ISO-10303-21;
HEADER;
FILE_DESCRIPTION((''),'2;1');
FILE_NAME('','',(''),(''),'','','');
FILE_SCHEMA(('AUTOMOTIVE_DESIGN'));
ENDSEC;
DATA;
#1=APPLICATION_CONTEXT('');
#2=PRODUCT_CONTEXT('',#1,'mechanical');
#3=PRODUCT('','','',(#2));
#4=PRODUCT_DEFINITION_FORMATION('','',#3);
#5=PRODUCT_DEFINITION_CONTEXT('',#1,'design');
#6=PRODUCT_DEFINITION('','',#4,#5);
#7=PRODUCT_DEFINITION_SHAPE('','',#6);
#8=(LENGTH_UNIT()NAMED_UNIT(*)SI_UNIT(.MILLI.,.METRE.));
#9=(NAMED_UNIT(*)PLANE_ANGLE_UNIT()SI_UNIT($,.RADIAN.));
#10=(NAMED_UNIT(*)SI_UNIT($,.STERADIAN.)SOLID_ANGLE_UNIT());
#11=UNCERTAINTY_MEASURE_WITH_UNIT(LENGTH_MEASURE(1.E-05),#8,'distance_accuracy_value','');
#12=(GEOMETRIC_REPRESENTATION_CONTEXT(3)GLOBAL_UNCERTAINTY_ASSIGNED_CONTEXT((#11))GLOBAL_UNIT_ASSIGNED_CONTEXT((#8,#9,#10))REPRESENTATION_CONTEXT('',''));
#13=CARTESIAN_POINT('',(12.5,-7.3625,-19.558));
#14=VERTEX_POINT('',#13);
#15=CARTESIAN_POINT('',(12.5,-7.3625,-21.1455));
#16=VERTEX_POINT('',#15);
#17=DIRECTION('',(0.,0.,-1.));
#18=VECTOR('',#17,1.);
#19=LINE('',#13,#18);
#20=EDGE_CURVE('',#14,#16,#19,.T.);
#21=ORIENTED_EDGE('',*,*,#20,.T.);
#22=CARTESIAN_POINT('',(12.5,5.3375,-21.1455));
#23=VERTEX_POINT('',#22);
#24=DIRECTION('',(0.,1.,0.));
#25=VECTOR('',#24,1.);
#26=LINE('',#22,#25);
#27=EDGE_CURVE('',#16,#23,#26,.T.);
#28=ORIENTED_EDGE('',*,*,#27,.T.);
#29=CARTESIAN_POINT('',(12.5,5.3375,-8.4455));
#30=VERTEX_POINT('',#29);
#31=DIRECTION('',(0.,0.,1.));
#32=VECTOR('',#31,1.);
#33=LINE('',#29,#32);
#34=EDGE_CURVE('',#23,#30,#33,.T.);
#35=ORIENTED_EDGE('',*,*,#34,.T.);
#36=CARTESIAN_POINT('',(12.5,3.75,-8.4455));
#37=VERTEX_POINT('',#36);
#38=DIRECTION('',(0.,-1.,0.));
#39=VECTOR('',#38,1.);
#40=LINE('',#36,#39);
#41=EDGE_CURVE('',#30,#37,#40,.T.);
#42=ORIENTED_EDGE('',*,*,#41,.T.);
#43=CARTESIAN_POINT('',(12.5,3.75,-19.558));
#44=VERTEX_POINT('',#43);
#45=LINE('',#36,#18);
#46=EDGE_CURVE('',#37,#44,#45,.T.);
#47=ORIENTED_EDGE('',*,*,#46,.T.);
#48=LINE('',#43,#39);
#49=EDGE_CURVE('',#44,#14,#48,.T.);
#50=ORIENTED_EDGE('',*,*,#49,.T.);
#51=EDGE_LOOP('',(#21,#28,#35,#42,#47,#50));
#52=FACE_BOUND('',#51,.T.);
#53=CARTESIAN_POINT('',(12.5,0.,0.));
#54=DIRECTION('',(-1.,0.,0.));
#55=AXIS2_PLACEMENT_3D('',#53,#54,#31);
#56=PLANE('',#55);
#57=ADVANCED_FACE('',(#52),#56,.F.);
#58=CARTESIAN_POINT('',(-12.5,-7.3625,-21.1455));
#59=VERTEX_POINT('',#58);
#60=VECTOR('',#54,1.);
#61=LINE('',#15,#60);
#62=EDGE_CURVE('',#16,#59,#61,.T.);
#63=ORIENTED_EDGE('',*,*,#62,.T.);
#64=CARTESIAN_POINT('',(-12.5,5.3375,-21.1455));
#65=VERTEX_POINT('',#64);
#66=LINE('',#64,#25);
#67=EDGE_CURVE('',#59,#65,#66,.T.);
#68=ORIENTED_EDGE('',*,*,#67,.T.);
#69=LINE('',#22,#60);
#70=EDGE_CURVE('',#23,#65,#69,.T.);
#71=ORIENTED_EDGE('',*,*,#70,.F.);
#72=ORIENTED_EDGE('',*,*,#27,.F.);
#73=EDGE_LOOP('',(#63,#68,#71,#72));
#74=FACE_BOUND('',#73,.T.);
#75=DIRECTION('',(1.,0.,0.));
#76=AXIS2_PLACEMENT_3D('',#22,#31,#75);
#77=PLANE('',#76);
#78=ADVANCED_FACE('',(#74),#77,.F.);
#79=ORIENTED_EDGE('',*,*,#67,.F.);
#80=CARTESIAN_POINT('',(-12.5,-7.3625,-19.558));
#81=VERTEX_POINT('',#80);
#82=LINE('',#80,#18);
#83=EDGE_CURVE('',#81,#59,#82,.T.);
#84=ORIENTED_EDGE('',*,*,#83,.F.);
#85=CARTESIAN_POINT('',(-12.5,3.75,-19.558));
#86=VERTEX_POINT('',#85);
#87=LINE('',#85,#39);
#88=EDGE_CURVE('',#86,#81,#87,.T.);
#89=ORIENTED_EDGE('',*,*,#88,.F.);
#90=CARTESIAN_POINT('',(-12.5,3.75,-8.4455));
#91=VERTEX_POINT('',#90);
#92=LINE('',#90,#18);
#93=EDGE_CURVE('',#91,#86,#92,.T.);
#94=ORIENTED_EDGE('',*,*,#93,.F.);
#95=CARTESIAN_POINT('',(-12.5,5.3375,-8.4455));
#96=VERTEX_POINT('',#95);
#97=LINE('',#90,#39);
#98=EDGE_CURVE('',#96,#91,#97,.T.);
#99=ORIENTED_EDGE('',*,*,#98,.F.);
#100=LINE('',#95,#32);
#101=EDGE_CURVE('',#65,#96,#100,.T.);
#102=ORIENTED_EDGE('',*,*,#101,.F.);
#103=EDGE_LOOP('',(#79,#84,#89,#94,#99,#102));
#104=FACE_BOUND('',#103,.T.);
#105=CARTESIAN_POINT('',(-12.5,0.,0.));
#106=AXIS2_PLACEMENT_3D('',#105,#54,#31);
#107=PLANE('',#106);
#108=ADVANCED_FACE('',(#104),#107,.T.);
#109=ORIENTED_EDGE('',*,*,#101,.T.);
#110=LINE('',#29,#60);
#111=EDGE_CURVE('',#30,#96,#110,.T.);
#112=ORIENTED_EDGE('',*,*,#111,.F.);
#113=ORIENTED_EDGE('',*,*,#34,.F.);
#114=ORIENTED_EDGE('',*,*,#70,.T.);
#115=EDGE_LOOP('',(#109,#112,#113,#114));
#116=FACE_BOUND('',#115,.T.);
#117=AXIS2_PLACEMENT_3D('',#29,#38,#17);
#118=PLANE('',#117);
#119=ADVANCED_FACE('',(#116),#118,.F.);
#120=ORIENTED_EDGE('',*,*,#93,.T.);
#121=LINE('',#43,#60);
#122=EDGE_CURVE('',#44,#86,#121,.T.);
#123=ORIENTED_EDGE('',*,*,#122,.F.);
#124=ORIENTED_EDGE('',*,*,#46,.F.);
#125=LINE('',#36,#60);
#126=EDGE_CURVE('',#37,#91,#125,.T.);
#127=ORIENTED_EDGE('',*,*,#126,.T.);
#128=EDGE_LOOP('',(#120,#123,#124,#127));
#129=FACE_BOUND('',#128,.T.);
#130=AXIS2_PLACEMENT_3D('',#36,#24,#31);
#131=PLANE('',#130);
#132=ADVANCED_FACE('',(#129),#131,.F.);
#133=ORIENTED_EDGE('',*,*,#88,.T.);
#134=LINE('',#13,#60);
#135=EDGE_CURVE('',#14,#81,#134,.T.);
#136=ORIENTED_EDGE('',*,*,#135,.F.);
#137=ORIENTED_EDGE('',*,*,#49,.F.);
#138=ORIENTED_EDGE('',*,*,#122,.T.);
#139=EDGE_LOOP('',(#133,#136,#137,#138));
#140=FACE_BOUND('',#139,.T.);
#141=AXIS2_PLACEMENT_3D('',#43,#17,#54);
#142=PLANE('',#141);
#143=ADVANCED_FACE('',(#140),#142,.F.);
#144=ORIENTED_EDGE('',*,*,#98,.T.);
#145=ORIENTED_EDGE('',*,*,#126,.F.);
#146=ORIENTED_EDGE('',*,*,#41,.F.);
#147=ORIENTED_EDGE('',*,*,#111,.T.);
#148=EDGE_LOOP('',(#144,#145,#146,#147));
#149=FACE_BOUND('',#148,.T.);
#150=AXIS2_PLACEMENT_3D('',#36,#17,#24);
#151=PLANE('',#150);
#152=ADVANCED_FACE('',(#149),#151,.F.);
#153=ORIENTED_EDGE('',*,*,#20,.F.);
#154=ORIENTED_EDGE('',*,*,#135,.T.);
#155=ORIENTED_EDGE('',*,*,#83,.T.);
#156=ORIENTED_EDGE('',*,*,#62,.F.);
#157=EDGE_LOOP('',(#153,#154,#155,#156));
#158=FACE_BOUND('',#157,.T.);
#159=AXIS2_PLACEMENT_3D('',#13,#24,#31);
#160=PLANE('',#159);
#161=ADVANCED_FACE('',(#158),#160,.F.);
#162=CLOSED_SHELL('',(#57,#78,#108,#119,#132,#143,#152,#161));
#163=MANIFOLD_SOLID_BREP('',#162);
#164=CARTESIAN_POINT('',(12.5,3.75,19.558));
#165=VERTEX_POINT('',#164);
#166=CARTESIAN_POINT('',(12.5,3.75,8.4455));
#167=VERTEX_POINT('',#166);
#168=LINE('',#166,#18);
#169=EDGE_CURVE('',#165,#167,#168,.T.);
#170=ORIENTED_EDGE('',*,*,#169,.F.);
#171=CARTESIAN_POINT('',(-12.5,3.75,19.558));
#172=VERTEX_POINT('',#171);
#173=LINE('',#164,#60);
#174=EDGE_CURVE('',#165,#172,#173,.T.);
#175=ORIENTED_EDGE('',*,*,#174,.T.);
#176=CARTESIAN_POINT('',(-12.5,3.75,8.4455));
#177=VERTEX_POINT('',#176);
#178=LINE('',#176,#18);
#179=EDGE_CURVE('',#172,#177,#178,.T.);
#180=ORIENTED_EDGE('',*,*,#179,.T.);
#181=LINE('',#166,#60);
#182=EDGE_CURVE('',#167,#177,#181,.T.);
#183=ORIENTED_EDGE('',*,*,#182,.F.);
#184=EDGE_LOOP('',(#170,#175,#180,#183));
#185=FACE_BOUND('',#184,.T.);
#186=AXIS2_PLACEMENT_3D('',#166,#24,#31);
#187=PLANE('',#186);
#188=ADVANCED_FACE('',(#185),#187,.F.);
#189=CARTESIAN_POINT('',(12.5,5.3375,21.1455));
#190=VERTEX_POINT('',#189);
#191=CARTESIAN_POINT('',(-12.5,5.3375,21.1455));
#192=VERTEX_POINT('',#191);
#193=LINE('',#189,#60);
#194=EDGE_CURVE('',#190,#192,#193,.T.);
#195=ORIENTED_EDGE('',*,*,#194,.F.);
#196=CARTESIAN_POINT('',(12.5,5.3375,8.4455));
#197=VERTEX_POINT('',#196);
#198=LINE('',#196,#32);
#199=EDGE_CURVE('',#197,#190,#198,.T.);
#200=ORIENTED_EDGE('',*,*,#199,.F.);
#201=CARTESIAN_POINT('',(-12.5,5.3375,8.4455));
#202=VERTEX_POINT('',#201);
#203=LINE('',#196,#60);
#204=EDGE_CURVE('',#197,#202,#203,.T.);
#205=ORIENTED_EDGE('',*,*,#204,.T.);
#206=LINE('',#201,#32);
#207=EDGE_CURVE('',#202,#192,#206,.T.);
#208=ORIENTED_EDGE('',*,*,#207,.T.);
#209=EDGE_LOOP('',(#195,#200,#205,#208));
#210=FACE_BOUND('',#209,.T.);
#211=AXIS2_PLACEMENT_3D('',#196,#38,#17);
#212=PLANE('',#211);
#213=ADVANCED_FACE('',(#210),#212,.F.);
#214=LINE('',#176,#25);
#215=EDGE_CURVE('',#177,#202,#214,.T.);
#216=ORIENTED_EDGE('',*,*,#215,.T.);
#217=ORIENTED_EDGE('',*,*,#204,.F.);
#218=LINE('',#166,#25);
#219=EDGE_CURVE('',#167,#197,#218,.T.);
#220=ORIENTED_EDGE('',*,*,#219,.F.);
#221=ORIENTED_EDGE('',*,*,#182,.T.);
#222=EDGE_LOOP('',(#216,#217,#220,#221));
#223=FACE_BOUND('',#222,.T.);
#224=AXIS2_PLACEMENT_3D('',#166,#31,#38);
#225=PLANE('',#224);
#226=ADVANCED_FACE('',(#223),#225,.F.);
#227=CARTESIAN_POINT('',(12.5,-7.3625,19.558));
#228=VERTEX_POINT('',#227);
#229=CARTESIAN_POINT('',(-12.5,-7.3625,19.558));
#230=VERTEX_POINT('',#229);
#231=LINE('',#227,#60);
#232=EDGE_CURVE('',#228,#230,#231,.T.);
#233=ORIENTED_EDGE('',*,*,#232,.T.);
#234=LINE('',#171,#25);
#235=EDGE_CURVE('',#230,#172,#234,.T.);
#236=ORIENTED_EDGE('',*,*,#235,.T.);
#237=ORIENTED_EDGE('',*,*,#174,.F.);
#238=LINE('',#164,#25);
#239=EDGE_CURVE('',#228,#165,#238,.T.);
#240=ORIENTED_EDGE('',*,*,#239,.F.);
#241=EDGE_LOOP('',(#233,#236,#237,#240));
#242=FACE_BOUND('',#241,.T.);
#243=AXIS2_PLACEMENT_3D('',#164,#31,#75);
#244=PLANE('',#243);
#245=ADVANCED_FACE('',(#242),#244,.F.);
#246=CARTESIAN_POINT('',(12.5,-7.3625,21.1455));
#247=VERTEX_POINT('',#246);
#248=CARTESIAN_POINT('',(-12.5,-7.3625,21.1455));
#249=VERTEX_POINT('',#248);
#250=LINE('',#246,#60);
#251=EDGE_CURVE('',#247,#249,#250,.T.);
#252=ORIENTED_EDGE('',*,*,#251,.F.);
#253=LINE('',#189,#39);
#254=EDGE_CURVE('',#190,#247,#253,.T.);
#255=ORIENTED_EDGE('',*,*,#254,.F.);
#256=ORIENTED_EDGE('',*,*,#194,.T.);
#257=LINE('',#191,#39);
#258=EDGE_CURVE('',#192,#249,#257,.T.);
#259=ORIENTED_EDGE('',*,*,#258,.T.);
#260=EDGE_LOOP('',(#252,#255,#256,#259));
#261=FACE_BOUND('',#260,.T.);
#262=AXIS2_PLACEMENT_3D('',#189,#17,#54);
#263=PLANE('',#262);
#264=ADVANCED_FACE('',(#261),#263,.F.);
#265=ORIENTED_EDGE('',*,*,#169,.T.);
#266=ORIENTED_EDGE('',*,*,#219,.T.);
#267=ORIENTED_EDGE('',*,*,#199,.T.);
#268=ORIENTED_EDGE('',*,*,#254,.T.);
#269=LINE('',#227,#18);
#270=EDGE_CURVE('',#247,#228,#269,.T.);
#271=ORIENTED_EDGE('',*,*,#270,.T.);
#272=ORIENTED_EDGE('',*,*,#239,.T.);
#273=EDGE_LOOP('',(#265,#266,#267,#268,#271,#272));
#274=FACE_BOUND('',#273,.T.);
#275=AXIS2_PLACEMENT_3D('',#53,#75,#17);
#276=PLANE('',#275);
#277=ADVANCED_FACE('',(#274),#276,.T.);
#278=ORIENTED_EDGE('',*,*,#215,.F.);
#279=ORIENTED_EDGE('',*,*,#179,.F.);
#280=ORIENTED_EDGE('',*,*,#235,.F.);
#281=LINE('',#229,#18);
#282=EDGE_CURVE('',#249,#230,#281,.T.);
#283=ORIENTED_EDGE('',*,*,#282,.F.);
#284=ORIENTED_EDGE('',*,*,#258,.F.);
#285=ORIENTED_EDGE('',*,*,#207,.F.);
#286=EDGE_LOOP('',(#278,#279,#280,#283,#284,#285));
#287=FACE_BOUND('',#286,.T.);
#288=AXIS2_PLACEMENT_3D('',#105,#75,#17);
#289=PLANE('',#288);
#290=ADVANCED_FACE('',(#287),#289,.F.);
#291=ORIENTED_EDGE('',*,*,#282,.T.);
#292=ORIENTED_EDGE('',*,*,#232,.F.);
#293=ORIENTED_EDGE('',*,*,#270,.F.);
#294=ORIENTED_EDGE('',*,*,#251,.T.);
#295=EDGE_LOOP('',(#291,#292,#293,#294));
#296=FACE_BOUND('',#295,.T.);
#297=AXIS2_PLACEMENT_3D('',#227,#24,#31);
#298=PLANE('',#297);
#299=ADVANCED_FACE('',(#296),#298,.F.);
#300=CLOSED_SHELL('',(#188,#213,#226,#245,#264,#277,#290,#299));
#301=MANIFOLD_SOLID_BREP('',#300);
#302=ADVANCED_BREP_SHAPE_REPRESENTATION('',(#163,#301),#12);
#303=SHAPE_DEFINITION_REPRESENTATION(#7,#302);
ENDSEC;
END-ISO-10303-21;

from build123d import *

# Parameters (mm, degrees)
BOSS_EXTRUDE1_DEPTH   = 12.5
BOSS_EXTRUDE1_2_DEPTH = 12.5


with BuildPart() as part:
    # Sketch2 → Boss-Extrude1 (new body, symmetric)
    with BuildSketch(Plane(origin=(0, 0, 0), x_dir=(0, 0, -1), z_dir=(1, 0, 0))):
        Polygon((8.4455, 3.75), (19.558, 3.75), (19.558, -7.3625), (21.1455, -7.3625), (21.1455, 5.3375), (8.4455, 5.3375), align=None)
    extrude(amount=BOSS_EXTRUDE1_DEPTH, both=True)


with BuildPart() as body_2:
    # Sketch2 → Boss-Extrude1 2 (new body, symmetric)
    with BuildSketch(Plane(origin=(0, 0, 0), x_dir=(0, 0, -1), z_dir=(1, 0, 0))):
        Polygon((-21.1455, 5.3375), (-21.1455, -7.3625), (-19.558, -7.3625), (-19.558, 3.75), (-8.4455, 3.75), (-8.4455, 5.3375), align=None)
    extrude(amount=BOSS_EXTRUDE1_2_DEPTH, both=True)


solid = Compound([part.part, body_2.part])
